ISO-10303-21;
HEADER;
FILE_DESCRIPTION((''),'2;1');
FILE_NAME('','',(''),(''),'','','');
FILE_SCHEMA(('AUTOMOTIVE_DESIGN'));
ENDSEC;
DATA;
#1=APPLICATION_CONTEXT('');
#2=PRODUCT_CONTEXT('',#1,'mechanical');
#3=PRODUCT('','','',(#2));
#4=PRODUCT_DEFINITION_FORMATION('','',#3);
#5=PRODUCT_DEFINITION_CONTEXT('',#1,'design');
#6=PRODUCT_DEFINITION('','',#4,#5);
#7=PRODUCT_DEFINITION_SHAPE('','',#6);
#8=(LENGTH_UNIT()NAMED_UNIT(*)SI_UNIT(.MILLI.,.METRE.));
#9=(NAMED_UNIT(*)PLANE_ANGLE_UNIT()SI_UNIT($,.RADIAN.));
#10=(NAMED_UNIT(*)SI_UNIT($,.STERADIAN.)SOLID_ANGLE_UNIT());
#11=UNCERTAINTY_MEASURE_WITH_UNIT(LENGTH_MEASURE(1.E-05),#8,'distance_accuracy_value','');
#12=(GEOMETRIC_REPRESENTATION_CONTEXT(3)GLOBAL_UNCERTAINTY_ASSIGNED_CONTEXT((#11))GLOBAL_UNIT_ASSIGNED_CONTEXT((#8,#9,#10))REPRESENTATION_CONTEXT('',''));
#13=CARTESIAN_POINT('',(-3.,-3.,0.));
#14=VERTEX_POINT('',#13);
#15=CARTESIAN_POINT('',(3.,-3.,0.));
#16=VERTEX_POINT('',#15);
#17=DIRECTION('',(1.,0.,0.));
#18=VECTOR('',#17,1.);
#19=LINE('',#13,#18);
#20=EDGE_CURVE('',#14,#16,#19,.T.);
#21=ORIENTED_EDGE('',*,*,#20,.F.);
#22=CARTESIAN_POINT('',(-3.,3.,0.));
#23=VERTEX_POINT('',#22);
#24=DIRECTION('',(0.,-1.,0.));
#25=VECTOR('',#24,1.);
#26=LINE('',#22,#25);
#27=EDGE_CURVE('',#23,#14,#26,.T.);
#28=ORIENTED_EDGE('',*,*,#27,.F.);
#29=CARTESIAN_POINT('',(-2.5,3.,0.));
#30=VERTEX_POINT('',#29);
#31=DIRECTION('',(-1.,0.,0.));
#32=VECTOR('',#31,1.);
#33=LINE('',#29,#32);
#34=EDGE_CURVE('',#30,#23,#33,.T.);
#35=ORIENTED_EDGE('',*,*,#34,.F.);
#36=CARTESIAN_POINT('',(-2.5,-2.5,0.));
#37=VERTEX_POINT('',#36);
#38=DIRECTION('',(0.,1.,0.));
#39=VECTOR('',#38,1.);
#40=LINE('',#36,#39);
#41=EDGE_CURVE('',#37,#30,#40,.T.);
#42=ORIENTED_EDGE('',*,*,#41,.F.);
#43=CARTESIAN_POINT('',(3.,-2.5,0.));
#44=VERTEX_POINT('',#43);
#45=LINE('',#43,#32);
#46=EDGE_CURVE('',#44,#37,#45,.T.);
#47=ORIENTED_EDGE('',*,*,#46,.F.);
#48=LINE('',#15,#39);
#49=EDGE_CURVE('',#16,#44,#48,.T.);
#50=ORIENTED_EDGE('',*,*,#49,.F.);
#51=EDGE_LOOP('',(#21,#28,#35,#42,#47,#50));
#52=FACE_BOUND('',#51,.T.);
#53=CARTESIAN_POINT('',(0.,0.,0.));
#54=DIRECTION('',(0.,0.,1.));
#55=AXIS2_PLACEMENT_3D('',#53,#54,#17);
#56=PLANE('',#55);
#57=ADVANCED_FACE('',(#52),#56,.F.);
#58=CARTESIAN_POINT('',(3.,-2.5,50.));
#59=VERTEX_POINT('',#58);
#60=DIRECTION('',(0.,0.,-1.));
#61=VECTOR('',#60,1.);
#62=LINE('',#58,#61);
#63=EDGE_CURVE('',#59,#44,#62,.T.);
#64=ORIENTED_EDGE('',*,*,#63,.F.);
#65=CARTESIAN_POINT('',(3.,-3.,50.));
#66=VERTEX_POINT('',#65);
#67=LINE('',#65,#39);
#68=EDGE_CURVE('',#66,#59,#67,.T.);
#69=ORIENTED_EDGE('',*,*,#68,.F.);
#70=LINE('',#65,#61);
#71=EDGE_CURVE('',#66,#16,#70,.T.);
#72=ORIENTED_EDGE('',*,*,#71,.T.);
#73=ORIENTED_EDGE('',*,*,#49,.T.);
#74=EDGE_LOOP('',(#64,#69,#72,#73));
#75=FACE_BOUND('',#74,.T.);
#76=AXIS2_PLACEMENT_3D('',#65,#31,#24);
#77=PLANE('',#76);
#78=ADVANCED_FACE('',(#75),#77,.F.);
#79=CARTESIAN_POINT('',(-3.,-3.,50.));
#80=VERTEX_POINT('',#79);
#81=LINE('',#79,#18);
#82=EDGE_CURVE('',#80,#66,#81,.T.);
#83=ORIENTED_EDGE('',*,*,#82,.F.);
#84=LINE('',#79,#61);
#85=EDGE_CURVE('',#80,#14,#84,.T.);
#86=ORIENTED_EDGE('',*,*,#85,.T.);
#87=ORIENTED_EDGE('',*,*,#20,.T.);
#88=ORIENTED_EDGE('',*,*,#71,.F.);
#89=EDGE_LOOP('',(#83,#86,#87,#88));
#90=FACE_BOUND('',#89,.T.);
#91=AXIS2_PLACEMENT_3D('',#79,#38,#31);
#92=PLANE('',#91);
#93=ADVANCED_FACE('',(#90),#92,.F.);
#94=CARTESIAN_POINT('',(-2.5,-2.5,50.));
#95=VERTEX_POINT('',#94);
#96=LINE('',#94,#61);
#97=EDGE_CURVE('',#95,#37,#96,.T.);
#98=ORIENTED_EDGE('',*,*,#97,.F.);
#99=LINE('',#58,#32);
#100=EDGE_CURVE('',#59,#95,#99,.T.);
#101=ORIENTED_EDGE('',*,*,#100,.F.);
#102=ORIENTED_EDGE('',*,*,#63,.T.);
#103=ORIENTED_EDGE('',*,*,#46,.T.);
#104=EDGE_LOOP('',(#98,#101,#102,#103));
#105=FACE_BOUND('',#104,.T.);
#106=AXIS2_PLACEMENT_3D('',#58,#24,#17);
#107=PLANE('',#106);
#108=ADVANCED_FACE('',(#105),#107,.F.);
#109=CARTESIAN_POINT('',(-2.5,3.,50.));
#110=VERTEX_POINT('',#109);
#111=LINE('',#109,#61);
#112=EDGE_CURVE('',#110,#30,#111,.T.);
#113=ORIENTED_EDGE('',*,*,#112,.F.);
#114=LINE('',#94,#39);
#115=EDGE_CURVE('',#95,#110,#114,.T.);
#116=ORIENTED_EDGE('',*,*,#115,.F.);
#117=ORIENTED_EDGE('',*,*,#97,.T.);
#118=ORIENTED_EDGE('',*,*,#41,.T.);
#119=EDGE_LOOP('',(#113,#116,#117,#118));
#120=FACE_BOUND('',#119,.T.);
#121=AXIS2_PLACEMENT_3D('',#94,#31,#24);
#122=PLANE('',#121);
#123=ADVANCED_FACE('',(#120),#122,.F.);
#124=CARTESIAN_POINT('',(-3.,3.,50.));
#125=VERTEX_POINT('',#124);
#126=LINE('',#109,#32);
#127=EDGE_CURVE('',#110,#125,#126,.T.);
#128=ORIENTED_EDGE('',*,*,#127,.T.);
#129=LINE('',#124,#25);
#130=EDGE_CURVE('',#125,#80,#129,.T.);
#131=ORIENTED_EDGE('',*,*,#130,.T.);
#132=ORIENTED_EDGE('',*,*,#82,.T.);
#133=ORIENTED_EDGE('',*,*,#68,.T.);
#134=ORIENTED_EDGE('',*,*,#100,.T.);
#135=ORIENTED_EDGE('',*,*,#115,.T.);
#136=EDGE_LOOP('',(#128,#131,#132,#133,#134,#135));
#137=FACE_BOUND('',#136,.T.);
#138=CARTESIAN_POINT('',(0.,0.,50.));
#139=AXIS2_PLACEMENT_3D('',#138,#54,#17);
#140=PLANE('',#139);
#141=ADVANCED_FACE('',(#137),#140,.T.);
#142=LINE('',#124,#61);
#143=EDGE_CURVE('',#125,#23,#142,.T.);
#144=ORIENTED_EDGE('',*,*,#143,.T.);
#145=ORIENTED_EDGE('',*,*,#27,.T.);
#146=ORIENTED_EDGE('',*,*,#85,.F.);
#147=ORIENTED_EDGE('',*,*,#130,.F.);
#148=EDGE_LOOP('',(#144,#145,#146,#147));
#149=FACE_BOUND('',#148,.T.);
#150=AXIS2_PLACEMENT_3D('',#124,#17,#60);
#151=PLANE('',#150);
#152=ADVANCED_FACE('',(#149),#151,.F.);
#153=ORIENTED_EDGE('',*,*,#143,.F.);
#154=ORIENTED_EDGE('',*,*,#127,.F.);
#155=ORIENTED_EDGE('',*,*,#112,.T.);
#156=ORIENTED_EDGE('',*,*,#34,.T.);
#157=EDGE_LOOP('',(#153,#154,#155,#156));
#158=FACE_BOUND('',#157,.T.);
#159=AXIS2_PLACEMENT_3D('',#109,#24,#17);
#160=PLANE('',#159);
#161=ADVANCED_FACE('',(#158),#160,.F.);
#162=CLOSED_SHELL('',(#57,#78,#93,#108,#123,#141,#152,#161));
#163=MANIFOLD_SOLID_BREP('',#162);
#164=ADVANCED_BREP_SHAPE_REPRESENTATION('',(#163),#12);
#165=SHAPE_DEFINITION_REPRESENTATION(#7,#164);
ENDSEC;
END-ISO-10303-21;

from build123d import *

# Parameters (mm, degrees)
SALIENTE_EXTRUIR1_DEPTH = 50


with BuildPart() as part:
    # Croquis1 → Saliente-Extruir1 (new body)
    with BuildSketch(Plane.XY):
        Polygon((-3, 3), (-3, -3), (3, -3), (3, -2.5), (-2.5, -2.5), (-2.5, 3), align=None)
    extrude(amount=SALIENTE_EXTRUIR1_DEPTH)


solid = part.part
